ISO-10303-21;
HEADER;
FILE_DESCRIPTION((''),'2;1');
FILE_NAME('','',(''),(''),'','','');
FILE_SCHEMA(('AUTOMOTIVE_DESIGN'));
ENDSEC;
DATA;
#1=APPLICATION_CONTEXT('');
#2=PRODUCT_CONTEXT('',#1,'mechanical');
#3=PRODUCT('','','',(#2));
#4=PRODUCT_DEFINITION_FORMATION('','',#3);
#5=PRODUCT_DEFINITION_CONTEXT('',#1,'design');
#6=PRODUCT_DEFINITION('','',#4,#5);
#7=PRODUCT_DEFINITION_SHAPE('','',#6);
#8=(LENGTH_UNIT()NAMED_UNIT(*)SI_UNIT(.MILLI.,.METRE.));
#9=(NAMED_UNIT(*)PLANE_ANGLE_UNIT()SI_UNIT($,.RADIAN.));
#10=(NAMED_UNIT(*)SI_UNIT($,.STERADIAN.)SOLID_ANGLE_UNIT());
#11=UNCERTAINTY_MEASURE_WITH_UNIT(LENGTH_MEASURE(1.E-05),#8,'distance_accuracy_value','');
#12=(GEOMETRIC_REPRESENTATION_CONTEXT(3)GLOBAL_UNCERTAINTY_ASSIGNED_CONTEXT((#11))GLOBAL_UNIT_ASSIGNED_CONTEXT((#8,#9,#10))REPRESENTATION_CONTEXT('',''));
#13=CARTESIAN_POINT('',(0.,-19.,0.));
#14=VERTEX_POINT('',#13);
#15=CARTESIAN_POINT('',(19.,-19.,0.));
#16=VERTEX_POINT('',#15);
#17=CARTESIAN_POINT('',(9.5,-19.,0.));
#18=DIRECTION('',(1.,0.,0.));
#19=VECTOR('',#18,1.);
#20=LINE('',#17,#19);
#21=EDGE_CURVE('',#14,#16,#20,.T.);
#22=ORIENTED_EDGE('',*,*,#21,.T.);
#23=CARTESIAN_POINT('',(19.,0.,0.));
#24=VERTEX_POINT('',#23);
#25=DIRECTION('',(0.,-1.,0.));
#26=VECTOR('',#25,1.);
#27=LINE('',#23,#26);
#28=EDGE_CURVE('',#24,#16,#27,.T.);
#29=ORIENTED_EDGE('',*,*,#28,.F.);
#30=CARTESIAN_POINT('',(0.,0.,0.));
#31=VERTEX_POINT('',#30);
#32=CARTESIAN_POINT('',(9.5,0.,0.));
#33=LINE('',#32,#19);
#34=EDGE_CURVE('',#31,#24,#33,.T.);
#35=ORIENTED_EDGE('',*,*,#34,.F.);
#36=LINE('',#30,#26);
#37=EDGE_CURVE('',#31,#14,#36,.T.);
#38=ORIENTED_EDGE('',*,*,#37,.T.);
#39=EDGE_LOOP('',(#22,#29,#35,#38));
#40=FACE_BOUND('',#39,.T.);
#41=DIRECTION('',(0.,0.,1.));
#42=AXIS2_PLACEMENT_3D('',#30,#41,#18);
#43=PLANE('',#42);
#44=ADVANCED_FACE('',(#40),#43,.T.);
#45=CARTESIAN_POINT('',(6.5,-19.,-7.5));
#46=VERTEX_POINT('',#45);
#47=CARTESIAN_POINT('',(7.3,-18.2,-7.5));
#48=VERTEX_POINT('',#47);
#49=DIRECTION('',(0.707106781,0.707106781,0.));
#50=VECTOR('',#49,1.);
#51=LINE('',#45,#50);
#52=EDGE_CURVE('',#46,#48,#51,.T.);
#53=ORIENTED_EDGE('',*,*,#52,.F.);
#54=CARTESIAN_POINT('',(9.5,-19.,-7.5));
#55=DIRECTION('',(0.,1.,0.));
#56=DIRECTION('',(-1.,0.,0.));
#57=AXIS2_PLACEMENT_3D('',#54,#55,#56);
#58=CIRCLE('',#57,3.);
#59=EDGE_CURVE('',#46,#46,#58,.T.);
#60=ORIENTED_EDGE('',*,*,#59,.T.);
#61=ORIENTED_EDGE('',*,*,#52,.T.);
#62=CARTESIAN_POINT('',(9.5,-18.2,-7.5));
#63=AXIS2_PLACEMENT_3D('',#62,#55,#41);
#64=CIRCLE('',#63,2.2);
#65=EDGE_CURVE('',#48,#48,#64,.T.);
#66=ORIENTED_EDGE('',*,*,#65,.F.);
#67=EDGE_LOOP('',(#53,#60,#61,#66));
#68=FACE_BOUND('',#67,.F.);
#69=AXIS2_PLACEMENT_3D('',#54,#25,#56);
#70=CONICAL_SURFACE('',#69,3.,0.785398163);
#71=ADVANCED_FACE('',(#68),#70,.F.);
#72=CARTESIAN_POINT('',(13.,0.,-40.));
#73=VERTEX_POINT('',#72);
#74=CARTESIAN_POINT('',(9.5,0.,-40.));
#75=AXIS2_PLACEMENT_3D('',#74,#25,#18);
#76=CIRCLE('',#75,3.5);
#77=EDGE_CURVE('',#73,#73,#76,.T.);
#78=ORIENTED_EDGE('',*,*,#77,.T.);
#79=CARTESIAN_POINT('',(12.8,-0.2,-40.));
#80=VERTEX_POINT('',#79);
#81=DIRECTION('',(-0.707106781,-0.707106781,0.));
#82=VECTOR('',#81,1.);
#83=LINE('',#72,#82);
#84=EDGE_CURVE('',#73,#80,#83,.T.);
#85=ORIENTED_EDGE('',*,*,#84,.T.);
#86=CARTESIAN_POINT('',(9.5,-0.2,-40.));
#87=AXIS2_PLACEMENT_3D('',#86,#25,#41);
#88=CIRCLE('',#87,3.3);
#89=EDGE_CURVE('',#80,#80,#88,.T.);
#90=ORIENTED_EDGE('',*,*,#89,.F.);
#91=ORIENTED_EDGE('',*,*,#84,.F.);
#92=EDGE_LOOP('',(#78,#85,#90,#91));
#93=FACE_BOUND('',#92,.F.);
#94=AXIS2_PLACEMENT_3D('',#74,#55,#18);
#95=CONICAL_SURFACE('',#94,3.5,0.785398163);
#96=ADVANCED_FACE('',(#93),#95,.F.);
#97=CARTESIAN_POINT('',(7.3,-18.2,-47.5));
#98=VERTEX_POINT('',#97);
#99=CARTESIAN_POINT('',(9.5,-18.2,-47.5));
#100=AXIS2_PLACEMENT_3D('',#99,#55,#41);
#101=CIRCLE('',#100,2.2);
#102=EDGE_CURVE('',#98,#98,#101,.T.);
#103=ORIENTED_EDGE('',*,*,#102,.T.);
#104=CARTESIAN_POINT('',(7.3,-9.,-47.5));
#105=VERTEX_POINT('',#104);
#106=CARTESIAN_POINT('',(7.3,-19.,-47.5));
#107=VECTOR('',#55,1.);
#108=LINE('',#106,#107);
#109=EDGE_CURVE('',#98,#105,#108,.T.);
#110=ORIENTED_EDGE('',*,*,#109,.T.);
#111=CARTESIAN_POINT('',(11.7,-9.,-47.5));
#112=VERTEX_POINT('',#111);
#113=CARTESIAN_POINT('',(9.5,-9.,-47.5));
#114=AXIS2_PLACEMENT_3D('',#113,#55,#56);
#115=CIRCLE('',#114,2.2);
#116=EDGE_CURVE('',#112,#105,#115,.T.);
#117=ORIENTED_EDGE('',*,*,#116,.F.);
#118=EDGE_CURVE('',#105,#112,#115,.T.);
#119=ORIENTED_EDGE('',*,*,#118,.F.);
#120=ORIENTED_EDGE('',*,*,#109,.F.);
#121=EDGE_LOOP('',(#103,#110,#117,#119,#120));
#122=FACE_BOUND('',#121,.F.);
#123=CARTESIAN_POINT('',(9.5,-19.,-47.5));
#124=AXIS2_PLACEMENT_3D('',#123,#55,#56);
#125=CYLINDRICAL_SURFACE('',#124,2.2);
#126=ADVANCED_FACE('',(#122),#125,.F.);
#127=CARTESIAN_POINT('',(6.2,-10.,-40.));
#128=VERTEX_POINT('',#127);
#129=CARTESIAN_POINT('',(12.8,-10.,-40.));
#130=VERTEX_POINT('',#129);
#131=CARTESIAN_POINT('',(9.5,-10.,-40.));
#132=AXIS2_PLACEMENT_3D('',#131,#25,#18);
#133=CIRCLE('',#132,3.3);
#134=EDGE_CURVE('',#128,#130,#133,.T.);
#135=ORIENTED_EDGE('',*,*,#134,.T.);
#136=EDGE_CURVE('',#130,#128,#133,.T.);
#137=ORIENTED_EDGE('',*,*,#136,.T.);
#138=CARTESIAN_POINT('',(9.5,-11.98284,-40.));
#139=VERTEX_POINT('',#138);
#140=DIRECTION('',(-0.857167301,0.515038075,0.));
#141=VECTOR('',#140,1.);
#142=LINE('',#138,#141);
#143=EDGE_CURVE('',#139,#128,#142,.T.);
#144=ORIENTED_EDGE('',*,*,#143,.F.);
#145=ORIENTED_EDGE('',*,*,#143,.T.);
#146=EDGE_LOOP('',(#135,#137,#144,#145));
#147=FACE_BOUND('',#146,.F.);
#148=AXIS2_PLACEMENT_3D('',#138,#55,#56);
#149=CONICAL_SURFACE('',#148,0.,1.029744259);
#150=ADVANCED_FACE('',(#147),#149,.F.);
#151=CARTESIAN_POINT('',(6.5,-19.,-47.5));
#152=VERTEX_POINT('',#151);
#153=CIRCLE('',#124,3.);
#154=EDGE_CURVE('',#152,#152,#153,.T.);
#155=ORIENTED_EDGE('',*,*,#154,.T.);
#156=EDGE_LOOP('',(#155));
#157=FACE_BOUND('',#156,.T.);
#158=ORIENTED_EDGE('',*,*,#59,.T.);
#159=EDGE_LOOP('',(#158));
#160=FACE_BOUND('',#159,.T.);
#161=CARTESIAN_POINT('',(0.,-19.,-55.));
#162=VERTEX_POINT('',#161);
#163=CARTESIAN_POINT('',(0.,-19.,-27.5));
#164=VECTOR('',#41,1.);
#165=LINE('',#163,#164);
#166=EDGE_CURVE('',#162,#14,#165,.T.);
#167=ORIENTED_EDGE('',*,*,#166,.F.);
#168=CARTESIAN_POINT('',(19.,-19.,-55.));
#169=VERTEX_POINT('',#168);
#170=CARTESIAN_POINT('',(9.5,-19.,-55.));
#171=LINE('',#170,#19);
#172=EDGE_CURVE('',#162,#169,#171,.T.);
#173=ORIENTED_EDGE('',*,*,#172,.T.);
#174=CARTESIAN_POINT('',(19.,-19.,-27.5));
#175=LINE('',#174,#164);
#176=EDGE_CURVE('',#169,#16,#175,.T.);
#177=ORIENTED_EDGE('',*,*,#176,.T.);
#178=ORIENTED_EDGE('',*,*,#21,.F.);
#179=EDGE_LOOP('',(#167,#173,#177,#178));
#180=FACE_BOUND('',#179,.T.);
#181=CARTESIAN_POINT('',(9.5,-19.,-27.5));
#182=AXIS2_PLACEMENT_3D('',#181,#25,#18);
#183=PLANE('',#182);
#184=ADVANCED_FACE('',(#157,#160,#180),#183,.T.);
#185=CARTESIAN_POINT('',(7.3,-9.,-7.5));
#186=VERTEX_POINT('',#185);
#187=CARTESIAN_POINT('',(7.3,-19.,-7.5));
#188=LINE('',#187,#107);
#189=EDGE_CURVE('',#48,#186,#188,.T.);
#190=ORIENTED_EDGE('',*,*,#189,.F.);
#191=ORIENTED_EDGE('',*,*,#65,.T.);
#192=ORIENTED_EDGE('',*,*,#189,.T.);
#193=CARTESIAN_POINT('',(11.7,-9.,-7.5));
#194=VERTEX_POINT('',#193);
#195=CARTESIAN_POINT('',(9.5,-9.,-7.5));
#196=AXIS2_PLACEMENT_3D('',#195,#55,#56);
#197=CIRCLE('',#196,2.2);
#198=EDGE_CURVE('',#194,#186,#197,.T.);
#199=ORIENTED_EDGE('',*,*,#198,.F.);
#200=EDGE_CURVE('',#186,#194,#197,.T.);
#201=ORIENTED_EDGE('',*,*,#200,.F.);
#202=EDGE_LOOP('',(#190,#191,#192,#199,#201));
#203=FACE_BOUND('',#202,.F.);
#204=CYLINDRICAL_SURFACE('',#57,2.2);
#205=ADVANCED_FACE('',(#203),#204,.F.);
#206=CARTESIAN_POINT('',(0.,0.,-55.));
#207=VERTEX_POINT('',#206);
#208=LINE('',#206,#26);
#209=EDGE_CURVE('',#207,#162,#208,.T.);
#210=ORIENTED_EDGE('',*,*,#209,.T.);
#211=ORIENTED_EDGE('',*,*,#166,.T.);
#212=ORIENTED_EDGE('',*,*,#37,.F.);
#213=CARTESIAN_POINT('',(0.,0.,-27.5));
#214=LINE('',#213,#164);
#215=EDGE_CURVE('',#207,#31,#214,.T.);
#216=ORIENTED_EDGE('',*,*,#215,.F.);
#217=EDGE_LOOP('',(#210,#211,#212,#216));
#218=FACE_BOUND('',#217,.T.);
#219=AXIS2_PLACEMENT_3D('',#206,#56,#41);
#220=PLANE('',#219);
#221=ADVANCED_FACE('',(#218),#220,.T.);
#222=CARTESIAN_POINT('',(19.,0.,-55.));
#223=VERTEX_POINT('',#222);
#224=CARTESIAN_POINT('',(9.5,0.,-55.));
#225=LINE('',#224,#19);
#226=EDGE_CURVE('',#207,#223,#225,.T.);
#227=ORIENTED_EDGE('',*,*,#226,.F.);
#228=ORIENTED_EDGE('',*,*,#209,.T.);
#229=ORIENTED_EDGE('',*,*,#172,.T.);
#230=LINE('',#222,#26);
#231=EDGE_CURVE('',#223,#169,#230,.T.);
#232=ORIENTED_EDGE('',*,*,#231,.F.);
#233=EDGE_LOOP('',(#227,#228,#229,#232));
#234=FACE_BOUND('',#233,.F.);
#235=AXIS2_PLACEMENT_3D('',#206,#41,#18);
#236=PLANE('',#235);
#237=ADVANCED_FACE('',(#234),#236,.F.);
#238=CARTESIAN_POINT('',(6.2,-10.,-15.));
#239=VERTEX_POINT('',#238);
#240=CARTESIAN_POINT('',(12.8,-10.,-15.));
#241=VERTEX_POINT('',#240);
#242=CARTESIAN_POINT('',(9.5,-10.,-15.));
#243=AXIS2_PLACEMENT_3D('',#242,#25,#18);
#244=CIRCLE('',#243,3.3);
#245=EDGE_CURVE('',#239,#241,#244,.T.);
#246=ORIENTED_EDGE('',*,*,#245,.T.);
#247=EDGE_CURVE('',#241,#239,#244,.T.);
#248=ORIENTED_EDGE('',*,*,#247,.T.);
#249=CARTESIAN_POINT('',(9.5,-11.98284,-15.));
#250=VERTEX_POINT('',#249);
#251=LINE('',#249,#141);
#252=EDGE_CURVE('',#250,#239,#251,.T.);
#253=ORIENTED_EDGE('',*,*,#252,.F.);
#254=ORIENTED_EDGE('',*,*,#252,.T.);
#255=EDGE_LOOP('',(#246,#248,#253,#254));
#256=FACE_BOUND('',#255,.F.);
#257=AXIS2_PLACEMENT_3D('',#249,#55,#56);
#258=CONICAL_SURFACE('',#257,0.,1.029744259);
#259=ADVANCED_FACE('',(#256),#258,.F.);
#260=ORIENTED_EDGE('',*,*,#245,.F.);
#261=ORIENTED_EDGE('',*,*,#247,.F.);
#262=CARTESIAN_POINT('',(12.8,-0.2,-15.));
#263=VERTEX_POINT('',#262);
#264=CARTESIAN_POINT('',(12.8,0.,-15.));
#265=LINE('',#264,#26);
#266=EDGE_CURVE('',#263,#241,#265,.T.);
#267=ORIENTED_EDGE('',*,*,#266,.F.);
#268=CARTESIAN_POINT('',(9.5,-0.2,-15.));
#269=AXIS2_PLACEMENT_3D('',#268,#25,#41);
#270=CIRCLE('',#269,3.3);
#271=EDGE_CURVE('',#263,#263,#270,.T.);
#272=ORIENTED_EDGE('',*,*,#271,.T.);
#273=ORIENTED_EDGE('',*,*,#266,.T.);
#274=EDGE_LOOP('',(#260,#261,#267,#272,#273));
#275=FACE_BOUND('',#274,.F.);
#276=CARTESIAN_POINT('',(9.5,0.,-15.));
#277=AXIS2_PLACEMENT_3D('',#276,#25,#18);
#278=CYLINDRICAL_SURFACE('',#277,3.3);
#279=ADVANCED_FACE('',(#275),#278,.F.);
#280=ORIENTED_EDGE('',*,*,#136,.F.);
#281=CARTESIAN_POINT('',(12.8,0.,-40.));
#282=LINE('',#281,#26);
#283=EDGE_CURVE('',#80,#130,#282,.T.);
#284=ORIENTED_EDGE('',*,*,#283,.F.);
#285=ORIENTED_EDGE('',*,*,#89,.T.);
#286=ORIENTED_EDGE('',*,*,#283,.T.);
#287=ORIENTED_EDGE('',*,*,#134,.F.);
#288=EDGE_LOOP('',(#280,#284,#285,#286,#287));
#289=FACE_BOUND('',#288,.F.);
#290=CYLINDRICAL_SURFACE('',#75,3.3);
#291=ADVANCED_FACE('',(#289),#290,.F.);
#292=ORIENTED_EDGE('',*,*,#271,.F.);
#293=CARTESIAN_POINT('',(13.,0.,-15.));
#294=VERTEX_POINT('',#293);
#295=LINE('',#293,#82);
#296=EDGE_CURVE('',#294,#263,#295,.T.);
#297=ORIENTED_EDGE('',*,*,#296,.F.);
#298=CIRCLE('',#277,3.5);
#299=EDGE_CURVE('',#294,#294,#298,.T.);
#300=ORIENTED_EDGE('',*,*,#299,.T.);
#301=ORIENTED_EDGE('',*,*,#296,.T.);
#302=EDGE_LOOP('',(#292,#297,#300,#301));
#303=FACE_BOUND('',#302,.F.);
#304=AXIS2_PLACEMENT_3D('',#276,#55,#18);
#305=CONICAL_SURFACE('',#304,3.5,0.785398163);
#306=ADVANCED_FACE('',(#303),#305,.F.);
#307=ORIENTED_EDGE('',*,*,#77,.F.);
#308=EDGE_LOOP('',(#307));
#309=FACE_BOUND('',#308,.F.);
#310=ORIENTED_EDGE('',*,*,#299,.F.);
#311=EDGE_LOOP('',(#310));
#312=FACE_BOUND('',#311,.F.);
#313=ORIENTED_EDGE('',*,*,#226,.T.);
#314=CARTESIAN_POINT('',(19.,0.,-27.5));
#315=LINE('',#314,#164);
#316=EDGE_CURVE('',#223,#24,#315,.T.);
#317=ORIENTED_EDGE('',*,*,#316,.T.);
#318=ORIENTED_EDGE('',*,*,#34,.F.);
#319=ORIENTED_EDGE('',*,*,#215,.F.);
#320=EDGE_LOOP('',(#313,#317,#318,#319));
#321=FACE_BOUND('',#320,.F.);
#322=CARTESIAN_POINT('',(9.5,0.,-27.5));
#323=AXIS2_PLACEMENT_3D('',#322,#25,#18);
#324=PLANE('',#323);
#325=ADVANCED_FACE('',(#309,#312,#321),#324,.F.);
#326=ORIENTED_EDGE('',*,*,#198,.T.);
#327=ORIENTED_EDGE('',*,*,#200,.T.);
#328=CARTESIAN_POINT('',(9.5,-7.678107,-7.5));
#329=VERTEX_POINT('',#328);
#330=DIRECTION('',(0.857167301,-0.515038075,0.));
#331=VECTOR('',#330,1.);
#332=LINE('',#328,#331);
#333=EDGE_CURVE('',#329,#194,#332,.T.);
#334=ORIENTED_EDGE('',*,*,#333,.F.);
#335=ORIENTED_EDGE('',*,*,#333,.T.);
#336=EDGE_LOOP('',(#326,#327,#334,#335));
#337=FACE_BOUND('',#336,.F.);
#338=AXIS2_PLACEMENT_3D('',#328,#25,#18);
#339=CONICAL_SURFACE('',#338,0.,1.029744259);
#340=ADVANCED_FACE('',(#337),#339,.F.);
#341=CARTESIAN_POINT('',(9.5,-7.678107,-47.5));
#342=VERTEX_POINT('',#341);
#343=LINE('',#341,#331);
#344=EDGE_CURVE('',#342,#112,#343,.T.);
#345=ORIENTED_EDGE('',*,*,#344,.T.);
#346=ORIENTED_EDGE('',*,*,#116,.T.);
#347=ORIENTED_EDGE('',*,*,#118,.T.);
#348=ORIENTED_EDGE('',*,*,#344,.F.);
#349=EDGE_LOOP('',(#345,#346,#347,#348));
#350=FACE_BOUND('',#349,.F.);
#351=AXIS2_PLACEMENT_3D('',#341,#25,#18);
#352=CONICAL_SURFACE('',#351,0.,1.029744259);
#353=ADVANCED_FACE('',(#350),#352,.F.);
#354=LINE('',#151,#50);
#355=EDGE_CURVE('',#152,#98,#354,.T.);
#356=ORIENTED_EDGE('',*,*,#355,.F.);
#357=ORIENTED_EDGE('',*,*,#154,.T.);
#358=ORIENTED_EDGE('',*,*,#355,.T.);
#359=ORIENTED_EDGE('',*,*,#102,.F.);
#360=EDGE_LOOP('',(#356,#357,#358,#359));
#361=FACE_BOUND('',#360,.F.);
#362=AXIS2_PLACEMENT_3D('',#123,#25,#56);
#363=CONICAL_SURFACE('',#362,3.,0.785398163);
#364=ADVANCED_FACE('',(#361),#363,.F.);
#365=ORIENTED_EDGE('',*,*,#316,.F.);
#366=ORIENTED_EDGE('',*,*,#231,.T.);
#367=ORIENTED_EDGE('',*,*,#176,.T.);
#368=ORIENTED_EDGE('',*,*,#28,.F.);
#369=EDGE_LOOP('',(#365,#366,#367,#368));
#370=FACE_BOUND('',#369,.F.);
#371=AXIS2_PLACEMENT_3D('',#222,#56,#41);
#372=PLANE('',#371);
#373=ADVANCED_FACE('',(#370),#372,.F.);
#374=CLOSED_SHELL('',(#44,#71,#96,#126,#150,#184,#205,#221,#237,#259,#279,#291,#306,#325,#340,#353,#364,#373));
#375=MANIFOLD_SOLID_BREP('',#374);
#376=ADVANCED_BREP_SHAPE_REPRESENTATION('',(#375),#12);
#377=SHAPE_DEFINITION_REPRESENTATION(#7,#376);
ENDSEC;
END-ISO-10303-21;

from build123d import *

# Parameters (mm, degrees)
F0_W           = 19
F0_H           = 55
F1_DEPTH       = 19
F3_D           = 4.4
F3_DEPTH       = 10
F3_CSINK_D     = 6
F3_CSINK_ANGLE = 90
F3_TIP         = 1.3218933619
F5_D           = 6.6
F5_DEPTH       = 10
F5_CSINK_D     = 7
F5_CSINK_ANGLE = 90
F5_TIP         = 1.9828400428


with BuildPart() as f1:
    # F0 (on Front) → F1 (new body)
    with BuildSketch(Plane.XZ):
        with Locations((9.5, -27.5)):
            Rectangle(F0_W, F0_H)
    extrude(amount=F1_DEPTH)

    # F3
    with Locations(Plane.XZ.offset(19)):
        with Locations((9.5, -7.5), (9.5, -47.5)):
            CounterSinkHole(F3_D / 2, F3_CSINK_D / 2, depth=F3_DEPTH, counter_sink_angle=F3_CSINK_ANGLE)
            with Locations((0, 0, -(F3_DEPTH + F3_TIP / 2))):  # 118° drill point
                Cone(0, F3_D / 2, F3_TIP, mode=Mode.SUBTRACT)

    # F5
    with Locations(Plane(origin=(0, 0, 0), x_dir=(-1, 0, 0), z_dir=(0, 1, 0))):
        with Locations((-9.5, -15), (-9.5, -40)):
            CounterSinkHole(F5_D / 2, F5_CSINK_D / 2, depth=F5_DEPTH, counter_sink_angle=F5_CSINK_ANGLE)
            with Locations((0, 0, -(F5_DEPTH + F5_TIP / 2))):  # 118° drill point
                Cone(0, F5_D / 2, F5_TIP, mode=Mode.SUBTRACT)


solid = f1.part
